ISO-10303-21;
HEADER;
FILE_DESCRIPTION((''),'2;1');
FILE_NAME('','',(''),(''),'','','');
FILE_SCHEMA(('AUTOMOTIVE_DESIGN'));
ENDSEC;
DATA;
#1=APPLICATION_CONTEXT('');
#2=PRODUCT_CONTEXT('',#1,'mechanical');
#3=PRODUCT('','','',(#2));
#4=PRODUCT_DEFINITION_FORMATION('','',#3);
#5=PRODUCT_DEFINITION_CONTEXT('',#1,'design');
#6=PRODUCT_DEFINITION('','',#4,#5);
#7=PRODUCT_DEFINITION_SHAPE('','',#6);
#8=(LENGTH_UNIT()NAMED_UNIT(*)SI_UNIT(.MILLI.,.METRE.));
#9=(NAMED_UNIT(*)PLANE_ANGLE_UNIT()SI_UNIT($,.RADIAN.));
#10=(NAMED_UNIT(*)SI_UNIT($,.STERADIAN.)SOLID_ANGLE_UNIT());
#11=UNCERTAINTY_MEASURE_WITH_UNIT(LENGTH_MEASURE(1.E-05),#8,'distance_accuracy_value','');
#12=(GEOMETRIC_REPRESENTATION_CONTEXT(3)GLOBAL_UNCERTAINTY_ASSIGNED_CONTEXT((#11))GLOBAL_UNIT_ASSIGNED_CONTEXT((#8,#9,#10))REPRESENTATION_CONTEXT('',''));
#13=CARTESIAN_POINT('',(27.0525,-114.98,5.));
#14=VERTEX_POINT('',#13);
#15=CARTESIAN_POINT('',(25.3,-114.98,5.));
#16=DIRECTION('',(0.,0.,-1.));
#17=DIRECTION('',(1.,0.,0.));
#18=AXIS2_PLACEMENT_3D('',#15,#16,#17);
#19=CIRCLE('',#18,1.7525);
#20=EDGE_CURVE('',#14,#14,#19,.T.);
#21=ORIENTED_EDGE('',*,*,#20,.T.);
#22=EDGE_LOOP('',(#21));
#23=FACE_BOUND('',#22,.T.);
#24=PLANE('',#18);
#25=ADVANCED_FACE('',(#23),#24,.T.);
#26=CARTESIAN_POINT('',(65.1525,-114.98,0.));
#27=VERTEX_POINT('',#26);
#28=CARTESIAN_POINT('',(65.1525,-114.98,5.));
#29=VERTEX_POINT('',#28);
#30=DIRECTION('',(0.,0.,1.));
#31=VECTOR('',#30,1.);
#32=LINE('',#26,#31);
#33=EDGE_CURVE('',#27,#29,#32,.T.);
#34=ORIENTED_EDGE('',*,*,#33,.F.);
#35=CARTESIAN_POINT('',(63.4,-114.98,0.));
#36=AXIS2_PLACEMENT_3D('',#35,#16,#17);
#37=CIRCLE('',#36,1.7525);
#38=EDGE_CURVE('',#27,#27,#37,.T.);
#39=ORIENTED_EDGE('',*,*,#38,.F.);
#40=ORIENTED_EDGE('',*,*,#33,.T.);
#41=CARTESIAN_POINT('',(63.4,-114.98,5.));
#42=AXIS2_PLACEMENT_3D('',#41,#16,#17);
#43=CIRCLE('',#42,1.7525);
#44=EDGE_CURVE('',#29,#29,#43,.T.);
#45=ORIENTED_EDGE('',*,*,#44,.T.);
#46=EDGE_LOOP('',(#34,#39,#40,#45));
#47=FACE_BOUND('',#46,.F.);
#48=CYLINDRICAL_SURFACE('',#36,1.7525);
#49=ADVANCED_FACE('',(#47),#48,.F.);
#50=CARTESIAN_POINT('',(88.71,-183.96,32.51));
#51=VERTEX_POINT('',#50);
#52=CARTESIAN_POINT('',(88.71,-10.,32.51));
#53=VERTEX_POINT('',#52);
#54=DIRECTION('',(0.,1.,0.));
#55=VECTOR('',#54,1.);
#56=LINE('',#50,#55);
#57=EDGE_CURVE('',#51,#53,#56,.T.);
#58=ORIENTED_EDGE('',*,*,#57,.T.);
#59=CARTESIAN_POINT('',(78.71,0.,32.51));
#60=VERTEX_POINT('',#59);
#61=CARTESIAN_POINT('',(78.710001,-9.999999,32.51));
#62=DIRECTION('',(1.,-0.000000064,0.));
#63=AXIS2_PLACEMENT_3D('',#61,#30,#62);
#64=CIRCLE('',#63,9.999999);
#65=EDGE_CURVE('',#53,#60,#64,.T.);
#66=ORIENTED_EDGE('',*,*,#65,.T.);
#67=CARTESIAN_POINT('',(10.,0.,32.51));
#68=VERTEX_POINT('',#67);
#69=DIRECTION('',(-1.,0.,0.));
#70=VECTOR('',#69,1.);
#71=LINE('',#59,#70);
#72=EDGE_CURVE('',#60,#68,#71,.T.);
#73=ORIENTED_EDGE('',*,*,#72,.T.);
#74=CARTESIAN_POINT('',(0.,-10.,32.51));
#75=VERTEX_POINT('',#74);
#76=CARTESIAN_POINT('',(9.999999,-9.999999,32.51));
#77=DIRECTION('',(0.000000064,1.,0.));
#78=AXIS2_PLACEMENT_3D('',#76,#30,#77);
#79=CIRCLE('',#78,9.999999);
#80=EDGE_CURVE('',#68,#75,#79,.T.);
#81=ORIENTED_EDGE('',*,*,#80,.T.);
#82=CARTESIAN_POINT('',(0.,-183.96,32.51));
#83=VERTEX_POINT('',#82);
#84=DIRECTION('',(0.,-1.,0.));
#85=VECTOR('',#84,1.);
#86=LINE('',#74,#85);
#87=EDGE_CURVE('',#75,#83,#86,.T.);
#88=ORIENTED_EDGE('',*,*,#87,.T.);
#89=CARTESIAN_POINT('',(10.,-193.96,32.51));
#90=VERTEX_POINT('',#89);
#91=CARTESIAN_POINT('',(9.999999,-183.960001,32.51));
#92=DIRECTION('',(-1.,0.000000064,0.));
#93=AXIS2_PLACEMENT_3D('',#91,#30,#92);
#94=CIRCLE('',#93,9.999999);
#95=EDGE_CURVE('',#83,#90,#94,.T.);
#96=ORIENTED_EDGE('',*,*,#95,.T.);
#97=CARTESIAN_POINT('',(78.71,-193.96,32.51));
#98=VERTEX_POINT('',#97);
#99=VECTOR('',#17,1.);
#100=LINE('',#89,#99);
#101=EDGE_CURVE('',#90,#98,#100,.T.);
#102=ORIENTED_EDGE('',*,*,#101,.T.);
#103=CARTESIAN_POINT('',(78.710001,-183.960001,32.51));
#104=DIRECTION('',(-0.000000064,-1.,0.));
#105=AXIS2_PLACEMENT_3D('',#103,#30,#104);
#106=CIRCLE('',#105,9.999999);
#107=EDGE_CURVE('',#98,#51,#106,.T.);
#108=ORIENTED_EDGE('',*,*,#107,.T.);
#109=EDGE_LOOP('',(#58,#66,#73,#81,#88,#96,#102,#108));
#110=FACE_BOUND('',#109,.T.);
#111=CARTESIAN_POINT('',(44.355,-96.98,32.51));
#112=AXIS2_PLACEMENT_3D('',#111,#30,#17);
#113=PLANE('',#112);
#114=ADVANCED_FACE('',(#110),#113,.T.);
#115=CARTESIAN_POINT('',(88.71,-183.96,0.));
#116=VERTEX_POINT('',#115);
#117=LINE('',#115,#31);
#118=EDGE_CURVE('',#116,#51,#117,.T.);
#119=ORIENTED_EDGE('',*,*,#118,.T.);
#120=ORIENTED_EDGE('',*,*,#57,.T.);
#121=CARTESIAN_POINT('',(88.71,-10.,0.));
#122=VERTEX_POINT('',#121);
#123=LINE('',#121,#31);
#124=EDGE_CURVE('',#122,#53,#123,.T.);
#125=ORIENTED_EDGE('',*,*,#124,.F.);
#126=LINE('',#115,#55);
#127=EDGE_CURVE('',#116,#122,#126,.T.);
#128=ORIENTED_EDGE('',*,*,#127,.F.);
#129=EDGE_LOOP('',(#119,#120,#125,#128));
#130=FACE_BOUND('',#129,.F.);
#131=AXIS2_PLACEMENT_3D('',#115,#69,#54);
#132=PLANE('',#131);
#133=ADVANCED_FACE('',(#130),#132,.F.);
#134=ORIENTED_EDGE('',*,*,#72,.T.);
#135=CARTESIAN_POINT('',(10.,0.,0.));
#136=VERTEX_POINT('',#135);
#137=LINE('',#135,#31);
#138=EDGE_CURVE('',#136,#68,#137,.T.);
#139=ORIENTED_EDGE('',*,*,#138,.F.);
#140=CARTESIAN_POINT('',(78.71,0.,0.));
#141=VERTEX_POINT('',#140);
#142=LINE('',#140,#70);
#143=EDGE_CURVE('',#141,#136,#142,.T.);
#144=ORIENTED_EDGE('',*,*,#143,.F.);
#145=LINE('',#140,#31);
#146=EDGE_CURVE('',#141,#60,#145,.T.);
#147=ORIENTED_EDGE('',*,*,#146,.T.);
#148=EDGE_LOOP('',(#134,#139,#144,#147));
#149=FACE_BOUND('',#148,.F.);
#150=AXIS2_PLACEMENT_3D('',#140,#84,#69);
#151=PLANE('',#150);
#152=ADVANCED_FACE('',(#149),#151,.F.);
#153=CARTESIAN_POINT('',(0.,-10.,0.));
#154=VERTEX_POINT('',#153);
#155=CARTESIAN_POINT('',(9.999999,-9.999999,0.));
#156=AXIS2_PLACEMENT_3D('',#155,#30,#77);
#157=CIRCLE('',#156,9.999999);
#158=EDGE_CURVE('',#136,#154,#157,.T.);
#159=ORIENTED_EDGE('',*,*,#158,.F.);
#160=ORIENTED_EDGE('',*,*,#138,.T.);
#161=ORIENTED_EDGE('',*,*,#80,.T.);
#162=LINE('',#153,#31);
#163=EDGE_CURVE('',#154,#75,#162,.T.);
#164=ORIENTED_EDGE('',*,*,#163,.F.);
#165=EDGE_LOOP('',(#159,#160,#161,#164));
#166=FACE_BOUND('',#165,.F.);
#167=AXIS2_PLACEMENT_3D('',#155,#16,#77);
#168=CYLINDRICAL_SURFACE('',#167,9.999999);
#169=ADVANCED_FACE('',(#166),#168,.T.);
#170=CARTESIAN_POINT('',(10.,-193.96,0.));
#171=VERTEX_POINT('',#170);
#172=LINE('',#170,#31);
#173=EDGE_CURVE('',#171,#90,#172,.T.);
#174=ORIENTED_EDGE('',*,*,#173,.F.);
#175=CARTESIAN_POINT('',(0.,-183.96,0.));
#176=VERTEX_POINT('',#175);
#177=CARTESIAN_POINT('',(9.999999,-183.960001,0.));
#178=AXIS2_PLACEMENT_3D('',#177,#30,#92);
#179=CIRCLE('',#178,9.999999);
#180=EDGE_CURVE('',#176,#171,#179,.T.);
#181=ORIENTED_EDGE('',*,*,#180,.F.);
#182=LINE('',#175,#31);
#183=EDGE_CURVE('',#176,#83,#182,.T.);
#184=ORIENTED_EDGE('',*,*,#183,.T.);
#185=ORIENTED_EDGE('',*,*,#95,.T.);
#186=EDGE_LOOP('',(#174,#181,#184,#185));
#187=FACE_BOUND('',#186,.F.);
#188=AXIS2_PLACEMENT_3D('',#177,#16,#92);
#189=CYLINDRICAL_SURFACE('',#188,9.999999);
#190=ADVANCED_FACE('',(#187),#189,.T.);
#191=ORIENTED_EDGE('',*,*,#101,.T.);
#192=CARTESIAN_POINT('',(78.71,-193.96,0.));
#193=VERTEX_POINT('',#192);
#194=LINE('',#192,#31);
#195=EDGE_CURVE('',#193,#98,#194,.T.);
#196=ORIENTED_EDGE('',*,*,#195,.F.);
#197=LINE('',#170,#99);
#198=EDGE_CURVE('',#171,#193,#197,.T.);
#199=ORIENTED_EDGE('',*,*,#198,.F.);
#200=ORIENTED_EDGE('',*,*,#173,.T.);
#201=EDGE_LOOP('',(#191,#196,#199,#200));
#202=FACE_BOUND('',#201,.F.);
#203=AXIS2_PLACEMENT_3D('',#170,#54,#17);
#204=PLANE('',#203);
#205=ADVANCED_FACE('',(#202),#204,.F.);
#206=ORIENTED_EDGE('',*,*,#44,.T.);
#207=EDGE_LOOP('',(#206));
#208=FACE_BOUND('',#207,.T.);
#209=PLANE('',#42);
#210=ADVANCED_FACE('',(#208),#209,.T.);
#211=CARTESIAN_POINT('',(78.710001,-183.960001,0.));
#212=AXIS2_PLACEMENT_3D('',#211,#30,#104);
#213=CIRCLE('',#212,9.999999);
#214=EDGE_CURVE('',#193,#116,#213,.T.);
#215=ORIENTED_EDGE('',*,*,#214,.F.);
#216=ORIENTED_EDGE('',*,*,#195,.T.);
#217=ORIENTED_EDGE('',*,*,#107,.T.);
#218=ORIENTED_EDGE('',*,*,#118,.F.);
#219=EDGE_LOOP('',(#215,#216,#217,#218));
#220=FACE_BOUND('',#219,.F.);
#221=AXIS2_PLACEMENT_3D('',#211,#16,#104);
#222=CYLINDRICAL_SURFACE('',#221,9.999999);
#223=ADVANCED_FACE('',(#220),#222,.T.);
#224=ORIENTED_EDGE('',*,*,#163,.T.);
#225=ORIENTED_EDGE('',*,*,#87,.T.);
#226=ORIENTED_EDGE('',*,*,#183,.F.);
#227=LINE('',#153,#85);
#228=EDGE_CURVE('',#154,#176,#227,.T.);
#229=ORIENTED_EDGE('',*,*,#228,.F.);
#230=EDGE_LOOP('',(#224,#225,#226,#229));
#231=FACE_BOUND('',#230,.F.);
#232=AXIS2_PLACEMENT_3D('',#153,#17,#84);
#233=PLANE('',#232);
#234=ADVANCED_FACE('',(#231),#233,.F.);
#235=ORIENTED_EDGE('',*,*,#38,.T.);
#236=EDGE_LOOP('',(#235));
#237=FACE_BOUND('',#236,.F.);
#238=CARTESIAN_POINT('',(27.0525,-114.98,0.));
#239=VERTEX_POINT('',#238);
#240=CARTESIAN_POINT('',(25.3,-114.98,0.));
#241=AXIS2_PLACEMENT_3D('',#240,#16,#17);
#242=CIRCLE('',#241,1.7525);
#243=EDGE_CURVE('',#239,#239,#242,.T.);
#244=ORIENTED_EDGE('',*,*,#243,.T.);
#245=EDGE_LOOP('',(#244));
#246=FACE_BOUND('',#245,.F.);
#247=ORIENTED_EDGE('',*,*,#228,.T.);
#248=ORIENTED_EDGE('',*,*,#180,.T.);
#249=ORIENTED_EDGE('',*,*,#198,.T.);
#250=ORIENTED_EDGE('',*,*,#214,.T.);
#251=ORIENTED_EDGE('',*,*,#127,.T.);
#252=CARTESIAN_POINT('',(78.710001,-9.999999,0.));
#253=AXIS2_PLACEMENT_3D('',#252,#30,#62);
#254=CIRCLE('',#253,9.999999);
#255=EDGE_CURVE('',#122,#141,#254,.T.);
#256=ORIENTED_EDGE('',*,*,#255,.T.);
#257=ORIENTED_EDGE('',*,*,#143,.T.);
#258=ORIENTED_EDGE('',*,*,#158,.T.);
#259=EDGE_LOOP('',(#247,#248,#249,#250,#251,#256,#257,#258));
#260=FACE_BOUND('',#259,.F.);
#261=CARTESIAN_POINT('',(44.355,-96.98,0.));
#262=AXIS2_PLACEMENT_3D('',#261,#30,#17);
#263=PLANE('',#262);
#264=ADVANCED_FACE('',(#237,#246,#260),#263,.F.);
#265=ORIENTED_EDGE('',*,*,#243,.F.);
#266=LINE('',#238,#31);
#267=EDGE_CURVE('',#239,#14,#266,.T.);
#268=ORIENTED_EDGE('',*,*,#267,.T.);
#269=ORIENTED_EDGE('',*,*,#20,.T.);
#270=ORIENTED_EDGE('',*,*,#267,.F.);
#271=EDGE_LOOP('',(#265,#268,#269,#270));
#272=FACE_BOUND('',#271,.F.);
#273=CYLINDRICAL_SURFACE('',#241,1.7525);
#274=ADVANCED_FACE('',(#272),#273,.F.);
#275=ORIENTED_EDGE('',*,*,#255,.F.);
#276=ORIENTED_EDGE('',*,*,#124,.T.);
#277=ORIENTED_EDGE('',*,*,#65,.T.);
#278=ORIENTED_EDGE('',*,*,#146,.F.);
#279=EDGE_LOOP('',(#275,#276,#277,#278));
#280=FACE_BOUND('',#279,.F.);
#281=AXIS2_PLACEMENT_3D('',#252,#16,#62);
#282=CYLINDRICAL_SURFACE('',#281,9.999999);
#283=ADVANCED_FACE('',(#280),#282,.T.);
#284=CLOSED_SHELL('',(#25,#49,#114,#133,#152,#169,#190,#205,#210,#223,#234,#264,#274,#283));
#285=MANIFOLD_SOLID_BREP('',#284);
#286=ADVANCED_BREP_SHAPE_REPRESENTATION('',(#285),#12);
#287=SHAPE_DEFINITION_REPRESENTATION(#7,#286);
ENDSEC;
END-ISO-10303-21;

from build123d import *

# Parameters (mm, degrees)
F1_DEPTH = 32.51
F2_R     = 1.7525
F3_DEPTH = 5


with BuildPart() as f1:
    # F0 (on Top) → F1 (new body)
    with BuildSketch(Plane.XY):
        with BuildLine():
            Line((78.71, 0), (10, 0))
            ThreePointArc((10, 0), (2.928932, -2.928932), (0, -10))
            Line((0, -10), (0, -183.96))
            ThreePointArc((0, -183.96), (2.928932, -191.031068), (10, -193.96))
            Line((10, -193.96), (78.71, -193.96))
            ThreePointArc((78.71, -193.96), (85.781068, -191.031068), (88.71, -183.96))
            Line((88.71, -183.96), (88.71, -10))
            ThreePointArc((88.71, -10), (85.781068, -2.928932), (78.71, 0))
        make_face()
    extrude(amount=F1_DEPTH)

    # F2 (on face) → F3 (cut)
    with BuildSketch(Plane(origin=(0, 0, 0), x_dir=(1, 0, 0), z_dir=(0, 0, -1))):
        with Locations((63.4, 114.98)):
            Circle(F2_R)
        with Locations((25.3, 114.98)):
            Circle(F2_R)
    extrude(amount=-F3_DEPTH, mode=Mode.SUBTRACT)


solid = f1.part
